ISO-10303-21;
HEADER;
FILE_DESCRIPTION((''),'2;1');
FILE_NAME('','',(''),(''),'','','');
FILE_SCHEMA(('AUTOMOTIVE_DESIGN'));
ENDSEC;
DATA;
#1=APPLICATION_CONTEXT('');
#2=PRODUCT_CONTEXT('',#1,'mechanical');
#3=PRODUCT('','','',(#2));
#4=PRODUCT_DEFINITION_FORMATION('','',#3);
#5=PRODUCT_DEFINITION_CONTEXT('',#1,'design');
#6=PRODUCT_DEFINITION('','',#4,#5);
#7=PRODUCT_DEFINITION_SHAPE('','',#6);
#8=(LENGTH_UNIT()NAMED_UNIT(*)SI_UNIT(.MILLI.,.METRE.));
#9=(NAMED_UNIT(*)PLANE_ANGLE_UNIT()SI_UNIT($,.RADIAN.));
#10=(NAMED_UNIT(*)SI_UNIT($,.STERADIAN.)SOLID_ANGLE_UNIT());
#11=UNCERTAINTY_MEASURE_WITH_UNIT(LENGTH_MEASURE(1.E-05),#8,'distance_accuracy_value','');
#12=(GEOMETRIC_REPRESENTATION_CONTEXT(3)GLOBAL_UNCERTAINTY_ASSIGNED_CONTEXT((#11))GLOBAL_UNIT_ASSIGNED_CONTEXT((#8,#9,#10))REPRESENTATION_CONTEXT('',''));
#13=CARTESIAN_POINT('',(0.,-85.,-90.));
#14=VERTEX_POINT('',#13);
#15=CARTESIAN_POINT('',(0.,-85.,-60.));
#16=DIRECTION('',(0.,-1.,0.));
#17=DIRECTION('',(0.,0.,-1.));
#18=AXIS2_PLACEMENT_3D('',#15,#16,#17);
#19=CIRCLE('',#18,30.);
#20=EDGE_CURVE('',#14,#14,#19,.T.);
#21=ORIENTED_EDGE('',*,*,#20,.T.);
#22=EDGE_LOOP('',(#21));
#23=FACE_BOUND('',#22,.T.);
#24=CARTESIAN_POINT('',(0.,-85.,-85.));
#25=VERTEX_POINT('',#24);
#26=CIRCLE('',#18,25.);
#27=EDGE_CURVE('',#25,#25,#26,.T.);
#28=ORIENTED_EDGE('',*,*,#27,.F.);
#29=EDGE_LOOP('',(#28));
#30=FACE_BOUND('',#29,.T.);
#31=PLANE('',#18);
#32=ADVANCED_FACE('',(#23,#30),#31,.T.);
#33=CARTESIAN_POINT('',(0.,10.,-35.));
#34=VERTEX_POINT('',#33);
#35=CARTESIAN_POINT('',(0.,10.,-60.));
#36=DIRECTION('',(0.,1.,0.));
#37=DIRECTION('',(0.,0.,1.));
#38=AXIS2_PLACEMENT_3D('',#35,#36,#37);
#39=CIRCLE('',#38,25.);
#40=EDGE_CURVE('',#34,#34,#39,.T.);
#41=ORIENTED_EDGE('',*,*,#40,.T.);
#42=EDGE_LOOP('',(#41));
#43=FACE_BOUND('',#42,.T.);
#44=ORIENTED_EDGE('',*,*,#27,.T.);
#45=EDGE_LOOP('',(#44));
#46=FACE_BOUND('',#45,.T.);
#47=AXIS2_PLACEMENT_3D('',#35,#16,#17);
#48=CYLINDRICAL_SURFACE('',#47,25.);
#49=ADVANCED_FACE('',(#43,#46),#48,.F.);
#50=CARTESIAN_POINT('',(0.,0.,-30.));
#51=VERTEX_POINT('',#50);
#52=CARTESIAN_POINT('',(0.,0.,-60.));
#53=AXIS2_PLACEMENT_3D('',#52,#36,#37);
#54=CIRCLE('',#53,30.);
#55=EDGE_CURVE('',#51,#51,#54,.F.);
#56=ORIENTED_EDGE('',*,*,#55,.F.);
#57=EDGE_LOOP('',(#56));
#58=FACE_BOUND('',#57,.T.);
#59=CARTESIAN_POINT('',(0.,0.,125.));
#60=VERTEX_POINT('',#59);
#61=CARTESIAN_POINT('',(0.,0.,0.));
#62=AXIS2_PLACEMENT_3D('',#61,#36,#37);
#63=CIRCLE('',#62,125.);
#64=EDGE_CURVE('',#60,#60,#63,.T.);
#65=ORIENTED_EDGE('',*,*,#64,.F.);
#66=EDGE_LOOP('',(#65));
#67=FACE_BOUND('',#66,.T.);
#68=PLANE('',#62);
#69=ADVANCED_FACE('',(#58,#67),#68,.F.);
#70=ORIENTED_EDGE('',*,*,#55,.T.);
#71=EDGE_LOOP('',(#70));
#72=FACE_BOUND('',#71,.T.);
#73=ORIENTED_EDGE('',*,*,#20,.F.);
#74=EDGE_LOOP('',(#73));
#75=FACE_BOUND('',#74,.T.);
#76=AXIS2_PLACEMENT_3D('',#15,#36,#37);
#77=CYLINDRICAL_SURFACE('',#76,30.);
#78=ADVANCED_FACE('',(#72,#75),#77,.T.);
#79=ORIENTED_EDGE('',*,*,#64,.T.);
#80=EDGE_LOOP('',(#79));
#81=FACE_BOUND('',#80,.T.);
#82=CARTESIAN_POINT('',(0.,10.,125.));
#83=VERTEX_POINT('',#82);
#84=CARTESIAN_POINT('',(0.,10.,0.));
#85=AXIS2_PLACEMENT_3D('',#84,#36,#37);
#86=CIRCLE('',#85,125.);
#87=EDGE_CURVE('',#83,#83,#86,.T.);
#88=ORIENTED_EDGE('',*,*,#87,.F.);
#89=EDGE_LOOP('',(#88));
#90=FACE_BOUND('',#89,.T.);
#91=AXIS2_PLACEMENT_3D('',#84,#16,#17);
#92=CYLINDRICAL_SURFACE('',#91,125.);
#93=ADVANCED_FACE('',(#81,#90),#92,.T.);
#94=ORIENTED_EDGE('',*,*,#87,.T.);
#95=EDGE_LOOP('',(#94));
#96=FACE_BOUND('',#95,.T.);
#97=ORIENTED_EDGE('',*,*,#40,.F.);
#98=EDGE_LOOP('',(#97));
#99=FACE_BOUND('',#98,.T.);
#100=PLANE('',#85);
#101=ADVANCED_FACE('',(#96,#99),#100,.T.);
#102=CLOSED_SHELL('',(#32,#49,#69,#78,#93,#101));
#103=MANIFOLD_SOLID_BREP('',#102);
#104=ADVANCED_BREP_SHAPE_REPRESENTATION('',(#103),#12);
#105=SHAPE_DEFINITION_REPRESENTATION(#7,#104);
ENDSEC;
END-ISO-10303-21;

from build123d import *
from build123d.topology import SkipClean

# Parameters (mm, degrees)
SKETCH1_R           = 125
SKETCH1_R_2         = 25
BOSS_EXTRUDE1_DEPTH = 10
BOSS_EXTRUDE2_START = 85
SKETCH2_R           = 30
SKETCH2_R_2         = 25
BOSS_EXTRUDE2_DEPTH = 85


with BuildPart() as part:
    # Sketch1 → Boss-Extrude1 (new body)
    with BuildSketch(Plane(origin=(0, 0, 0), x_dir=(1, 0, 0), z_dir=(0, 1, 0))):
        with Locations(Location((0, 0, 0), (0, 0, 270))):
            Circle(SKETCH1_R)
        with Locations(Location((0, 60, 0), (0, 0, 270))):
            Circle(SKETCH1_R_2, mode=Mode.SUBTRACT)
    extrude(amount=BOSS_EXTRUDE1_DEPTH)

    # Sketch2 → Boss-Extrude2 (add)
    with SkipClean():  # the faces are left unmerged after this step: merging them gives an invalid solid
        with BuildSketch(Plane.XZ.offset(BOSS_EXTRUDE2_START)):
            with Locations(Location((0, -60, 0), (0, 0, 90))):
                Circle(SKETCH2_R)
            with Locations(Location((0, -60, 0), (0, 0, 270))):
                Circle(SKETCH2_R_2, mode=Mode.SUBTRACT)
        extrude(amount=-BOSS_EXTRUDE2_DEPTH)


solid = part.part
